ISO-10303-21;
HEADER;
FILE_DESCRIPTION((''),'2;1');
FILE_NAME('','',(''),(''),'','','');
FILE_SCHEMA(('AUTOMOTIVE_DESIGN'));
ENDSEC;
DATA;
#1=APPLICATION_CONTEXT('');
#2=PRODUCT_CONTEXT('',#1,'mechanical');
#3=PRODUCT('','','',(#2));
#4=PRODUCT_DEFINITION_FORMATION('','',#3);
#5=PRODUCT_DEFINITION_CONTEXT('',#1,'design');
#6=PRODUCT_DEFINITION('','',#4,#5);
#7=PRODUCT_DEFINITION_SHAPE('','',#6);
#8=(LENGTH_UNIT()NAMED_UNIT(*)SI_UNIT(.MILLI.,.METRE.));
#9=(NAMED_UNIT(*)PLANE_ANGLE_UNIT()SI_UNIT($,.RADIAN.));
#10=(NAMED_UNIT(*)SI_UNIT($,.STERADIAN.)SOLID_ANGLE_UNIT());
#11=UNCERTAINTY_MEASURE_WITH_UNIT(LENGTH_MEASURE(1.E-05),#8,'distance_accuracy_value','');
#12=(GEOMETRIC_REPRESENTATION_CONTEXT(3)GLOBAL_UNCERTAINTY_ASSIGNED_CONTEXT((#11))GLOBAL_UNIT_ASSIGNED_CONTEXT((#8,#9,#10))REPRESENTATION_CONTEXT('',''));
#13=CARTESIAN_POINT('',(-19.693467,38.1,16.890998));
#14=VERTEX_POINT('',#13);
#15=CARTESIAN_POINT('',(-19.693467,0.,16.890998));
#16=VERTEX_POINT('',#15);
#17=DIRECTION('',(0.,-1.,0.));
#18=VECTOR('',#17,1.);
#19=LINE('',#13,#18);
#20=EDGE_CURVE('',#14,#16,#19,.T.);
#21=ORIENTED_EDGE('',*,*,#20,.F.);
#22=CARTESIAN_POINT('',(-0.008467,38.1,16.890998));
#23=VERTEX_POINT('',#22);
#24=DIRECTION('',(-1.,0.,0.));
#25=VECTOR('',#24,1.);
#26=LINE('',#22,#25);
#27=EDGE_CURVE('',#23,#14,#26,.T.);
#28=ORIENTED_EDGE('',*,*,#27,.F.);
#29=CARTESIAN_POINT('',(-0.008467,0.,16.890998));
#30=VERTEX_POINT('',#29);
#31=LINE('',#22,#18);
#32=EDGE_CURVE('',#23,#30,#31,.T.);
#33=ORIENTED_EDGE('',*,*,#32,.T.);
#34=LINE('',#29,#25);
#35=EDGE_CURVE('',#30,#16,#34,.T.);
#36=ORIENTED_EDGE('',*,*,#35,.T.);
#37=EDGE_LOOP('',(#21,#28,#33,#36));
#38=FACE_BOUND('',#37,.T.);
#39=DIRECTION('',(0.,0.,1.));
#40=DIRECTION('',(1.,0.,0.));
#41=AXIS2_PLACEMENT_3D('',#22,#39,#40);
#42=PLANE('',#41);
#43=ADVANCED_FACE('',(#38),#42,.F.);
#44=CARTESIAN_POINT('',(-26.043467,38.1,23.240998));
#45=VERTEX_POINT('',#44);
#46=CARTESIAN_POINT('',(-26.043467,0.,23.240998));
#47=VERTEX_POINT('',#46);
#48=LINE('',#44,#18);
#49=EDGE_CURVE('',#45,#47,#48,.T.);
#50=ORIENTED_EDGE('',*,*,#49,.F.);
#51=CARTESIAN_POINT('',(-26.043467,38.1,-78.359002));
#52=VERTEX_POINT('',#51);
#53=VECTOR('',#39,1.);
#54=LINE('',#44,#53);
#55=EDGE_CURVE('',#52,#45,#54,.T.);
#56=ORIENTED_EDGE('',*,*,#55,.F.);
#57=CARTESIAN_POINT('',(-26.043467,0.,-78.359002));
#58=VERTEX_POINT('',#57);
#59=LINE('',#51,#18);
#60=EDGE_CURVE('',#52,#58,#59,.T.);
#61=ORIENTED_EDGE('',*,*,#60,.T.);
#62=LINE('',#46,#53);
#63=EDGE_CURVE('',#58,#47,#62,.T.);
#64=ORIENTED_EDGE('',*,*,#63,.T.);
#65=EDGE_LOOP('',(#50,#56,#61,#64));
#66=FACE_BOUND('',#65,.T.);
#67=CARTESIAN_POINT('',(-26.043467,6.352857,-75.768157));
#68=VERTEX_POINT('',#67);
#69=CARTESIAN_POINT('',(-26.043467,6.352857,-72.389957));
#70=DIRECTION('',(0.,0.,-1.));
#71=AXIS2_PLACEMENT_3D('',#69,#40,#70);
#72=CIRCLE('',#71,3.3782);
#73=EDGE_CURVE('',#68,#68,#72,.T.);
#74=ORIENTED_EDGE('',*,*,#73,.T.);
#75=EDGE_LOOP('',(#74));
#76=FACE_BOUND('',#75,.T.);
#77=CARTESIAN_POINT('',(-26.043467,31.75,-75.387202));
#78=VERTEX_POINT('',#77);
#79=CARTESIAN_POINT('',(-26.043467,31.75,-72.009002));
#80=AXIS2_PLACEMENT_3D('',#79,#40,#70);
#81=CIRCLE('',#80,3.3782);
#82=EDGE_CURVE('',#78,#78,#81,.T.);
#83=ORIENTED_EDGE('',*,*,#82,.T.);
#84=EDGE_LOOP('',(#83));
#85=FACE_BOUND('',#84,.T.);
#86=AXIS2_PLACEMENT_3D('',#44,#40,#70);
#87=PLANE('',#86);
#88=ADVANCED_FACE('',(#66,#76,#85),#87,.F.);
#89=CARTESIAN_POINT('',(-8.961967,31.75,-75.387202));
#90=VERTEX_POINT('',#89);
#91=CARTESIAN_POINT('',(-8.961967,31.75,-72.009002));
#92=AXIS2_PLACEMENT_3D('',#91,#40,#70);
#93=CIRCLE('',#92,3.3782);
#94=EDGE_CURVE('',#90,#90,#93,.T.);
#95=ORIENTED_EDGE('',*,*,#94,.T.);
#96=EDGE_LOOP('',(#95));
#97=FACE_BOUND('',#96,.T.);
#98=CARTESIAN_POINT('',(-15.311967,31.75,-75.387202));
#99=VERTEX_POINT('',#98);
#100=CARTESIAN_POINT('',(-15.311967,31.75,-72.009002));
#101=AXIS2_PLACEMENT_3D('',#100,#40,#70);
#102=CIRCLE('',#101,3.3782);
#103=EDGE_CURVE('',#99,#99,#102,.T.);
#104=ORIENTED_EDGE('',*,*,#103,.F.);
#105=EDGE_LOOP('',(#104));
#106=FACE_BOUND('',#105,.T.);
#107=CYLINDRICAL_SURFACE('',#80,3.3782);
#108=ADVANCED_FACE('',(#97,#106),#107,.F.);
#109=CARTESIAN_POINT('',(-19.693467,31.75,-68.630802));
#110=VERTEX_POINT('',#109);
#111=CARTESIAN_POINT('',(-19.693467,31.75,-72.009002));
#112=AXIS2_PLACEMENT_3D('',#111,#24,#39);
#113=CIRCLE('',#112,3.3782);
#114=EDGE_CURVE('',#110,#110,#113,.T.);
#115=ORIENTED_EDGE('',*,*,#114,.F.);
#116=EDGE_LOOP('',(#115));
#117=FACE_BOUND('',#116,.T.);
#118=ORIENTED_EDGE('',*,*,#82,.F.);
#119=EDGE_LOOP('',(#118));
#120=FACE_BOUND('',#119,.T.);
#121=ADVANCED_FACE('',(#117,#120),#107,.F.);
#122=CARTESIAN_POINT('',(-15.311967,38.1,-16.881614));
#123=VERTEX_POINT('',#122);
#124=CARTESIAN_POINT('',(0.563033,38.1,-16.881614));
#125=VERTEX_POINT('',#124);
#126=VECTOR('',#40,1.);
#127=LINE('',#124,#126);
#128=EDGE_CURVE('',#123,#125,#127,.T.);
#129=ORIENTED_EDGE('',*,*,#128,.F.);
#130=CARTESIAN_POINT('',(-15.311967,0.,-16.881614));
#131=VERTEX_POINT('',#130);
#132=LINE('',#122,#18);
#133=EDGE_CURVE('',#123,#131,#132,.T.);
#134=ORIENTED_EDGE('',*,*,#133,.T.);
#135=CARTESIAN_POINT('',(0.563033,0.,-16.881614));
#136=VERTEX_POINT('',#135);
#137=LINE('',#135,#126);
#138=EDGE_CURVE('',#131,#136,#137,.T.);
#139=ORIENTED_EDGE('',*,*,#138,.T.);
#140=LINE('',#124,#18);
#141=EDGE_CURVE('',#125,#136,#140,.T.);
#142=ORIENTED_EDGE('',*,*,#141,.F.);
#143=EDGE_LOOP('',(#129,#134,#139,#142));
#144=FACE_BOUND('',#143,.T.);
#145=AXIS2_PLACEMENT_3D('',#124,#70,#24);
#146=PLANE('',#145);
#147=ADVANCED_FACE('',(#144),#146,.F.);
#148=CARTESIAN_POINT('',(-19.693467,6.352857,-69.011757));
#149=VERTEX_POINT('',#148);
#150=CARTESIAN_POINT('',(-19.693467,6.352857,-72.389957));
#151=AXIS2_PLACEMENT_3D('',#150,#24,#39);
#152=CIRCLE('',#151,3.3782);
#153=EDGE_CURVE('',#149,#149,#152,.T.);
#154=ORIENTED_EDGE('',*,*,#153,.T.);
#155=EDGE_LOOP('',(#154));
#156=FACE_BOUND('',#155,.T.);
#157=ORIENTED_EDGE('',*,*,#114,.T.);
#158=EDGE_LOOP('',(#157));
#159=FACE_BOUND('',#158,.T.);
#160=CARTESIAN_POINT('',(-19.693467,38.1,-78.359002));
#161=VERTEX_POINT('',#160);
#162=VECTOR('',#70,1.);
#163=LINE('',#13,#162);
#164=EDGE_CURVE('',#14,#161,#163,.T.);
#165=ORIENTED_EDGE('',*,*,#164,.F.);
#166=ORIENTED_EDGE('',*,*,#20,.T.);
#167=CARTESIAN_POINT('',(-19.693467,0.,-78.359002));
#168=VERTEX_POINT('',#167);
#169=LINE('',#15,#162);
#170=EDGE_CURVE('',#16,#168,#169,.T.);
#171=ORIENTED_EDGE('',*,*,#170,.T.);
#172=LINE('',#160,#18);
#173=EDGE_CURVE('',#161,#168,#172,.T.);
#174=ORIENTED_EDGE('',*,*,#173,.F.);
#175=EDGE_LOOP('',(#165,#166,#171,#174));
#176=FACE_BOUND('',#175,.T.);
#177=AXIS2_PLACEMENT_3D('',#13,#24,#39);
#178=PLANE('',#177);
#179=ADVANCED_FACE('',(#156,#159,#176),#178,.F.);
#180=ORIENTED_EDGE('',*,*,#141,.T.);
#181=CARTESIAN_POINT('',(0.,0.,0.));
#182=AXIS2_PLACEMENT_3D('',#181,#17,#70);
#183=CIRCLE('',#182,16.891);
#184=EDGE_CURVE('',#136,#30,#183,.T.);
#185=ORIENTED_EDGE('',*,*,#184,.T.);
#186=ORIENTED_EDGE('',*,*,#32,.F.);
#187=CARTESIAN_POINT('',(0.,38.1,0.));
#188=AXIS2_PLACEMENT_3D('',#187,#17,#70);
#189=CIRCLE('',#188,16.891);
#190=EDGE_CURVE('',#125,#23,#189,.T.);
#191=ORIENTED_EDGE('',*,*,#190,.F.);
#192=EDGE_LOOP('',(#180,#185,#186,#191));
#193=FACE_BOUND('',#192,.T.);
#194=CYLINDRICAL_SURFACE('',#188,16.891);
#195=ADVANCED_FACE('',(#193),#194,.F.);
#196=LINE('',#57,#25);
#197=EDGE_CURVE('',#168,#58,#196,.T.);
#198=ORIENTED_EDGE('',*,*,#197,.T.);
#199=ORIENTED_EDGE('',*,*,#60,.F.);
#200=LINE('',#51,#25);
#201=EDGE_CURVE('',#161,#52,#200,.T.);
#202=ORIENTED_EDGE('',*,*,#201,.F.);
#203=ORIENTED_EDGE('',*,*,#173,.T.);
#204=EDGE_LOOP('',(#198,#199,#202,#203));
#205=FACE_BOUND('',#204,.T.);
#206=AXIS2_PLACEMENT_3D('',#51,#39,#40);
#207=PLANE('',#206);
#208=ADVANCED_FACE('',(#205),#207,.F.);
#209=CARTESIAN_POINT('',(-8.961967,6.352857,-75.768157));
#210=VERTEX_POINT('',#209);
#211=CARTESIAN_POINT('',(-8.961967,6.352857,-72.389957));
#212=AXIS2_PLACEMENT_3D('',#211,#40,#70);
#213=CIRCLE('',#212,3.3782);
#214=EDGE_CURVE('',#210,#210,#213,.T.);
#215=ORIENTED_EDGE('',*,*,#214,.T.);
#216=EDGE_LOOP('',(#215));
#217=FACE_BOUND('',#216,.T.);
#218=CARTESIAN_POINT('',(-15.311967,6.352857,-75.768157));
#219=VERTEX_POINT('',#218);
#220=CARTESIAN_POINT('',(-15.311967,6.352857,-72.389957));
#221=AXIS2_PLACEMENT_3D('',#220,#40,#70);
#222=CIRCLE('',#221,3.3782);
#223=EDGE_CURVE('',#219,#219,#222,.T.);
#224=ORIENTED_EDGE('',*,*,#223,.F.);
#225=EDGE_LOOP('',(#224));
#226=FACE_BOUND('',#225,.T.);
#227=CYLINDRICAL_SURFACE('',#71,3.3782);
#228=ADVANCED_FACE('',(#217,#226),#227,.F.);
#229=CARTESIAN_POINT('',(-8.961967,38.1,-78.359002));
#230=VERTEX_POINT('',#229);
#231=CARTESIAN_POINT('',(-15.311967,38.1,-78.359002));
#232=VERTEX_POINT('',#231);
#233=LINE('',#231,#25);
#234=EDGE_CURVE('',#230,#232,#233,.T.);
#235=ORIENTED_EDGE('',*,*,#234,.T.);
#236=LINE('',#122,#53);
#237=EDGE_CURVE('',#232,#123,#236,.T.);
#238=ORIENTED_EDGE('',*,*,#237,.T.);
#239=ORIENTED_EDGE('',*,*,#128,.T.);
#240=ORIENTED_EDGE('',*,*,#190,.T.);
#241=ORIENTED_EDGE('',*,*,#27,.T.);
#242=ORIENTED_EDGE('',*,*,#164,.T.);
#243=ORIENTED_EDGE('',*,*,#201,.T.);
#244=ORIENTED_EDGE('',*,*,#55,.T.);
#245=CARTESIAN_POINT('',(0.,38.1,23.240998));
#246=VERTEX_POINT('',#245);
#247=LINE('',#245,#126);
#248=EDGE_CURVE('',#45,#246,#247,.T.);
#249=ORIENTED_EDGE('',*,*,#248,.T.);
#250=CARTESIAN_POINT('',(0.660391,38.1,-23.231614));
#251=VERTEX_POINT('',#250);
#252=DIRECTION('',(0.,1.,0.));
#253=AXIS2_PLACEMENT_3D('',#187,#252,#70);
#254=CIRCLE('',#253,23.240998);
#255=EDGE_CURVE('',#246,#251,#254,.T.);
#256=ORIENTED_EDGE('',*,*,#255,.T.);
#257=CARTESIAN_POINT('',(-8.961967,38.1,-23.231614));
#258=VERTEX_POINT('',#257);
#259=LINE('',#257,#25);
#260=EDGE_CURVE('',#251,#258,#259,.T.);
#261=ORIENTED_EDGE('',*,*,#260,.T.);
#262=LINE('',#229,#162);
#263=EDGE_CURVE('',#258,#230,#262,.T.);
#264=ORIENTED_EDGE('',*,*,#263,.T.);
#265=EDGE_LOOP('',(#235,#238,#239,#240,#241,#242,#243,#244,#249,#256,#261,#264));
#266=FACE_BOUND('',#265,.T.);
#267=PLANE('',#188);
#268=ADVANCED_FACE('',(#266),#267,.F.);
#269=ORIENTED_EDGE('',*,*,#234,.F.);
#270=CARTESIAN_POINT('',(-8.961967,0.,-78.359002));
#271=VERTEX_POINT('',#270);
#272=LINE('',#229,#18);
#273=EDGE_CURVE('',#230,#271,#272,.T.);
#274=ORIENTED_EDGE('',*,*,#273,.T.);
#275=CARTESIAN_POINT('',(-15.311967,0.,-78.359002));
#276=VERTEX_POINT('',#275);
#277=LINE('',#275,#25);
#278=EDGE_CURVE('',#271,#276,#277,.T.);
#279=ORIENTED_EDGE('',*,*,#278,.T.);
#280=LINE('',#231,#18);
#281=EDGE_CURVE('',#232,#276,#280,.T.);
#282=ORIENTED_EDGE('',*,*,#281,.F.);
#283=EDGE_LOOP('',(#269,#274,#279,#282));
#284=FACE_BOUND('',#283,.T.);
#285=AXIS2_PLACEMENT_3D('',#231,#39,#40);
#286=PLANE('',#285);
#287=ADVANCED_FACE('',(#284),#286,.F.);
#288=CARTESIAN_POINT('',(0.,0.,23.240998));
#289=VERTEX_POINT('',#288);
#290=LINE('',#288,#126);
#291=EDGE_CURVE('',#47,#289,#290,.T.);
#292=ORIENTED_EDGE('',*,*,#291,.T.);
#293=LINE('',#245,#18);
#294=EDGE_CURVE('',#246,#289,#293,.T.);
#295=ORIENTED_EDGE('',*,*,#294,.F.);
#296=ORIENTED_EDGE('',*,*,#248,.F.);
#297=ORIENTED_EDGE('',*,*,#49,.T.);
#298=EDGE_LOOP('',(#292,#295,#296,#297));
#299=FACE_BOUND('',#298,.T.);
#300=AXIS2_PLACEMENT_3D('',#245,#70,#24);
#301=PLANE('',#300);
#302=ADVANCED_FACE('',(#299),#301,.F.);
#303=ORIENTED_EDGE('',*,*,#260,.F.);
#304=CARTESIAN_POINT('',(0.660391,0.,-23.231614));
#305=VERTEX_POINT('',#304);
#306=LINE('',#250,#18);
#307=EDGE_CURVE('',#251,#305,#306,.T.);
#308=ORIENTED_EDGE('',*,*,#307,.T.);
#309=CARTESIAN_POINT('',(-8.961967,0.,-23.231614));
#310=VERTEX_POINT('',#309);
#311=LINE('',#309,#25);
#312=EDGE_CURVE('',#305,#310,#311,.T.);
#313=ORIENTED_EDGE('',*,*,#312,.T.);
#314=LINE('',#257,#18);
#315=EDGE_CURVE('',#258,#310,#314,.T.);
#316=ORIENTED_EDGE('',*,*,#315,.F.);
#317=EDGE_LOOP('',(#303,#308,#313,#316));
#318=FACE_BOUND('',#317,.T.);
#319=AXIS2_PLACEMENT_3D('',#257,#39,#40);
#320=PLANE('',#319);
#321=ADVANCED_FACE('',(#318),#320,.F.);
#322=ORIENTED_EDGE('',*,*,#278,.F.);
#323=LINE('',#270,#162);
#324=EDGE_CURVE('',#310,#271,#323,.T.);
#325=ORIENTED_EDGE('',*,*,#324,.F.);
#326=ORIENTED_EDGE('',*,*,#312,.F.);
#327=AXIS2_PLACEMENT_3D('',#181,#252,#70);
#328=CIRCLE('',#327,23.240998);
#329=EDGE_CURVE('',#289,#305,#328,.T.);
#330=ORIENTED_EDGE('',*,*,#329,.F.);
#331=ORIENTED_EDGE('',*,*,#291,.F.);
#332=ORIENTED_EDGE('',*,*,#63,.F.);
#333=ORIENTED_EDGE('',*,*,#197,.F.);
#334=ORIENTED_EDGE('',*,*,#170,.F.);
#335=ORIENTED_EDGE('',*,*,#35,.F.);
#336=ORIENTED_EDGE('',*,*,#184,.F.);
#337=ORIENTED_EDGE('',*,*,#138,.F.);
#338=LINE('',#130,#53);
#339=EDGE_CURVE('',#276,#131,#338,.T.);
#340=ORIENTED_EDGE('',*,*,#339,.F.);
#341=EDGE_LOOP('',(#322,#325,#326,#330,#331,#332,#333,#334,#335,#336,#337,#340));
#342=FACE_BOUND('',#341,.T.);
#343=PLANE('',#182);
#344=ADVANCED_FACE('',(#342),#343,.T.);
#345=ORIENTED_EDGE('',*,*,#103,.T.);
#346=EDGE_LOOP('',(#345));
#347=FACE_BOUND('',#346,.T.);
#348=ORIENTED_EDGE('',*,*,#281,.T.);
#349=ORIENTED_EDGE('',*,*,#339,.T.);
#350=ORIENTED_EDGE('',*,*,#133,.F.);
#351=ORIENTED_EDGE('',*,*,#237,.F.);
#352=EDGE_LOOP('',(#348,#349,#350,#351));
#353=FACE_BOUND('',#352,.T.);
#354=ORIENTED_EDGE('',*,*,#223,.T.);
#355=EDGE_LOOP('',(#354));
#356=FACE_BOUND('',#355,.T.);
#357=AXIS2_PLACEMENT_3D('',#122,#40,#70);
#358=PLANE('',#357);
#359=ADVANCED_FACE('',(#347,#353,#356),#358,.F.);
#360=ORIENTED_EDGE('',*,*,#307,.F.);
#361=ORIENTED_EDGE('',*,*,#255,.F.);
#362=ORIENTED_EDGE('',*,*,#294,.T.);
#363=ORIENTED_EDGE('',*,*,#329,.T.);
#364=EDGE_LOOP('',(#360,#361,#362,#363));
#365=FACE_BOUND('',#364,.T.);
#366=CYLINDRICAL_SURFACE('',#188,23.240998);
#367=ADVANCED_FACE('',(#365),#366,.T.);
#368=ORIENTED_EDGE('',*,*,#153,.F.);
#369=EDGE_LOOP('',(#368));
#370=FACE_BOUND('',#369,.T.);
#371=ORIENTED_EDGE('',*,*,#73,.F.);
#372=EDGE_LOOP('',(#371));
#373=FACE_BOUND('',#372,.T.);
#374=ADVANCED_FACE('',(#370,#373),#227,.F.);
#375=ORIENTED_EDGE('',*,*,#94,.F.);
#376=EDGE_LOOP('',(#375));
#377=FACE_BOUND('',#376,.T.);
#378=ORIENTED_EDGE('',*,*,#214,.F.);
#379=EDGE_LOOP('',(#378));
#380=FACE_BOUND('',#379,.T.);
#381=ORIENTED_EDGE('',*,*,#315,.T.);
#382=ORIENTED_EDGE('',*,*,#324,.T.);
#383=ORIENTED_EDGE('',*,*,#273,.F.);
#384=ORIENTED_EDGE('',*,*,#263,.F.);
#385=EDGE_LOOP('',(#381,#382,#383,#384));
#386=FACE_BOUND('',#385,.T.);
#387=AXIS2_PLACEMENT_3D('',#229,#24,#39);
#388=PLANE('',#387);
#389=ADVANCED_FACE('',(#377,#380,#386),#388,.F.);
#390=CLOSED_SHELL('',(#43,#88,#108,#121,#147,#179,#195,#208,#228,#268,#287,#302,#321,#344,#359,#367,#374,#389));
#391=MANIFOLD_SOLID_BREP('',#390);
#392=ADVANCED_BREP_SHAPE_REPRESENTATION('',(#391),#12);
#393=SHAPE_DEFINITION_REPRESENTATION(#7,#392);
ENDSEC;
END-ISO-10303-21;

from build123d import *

# Parameters (mm, degrees)
BOSS_EXTRUDE1_DEPTH = 38.1
SKETCH2_R           = 3.3782
CUT_EXTRUDE1_DEPTH  = 18.0815


with BuildPart() as part:
    # Sketch1 → Boss-Extrude1 (new body)
    with BuildSketch(Plane(origin=(0, 0, 0), x_dir=(1, 0, 0), z_dir=(0, 1, 0))):
        with BuildLine():
            Line((-0.008466667, -16.890997878), (-19.693466667, -16.890997878))
            Line((-19.693466667, -16.890997878), (-19.693466667, 78.359002122))
            Line((-19.693466667, 78.359002122), (-26.043466667, 78.359002122))
            Line((-26.043466667, 78.359002122), (-26.043466667, -23.240997878))
            Line((-26.043466667, -23.240997878), (0, -23.240997878))
            ThreePointArc((0, -23.240997878), (23.238651666, -0.33022889), (0.660391106, 23.231613503))
            Line((0.660391106, 23.231613503), (-8.961966667, 23.231613503))
            Line((-8.961966667, 23.231613503), (-8.961966667, 78.359002122))
            Line((-8.961966667, 78.359002122), (-15.311966667, 78.359002122))
            Line((-15.311966667, 78.359002122), (-15.311966667, 16.881613503))
            Line((-15.311966667, 16.881613503), (0.563033333, 16.881613503))
            ThreePointArc((0.563033333, 16.881613503), (16.888582117, -0.285788522), (-0.008466667, -16.890997878))
        make_face()
    extrude(amount=BOSS_EXTRUDE1_DEPTH)

    # Sketch2 → Cut-Extrude1 (cut, through all)
    with BuildSketch(Plane(origin=(-8.961966667, 0, 0), x_dir=(0, 0, -1), z_dir=(1, 0, 0))):
        with Locations((72.009002122, 31.75)):
            Circle(SKETCH2_R)
        with Locations((72.389957145, 6.352856986)):
            Circle(SKETCH2_R)
    extrude(amount=-CUT_EXTRUDE1_DEPTH, mode=Mode.SUBTRACT)


solid = part.part
